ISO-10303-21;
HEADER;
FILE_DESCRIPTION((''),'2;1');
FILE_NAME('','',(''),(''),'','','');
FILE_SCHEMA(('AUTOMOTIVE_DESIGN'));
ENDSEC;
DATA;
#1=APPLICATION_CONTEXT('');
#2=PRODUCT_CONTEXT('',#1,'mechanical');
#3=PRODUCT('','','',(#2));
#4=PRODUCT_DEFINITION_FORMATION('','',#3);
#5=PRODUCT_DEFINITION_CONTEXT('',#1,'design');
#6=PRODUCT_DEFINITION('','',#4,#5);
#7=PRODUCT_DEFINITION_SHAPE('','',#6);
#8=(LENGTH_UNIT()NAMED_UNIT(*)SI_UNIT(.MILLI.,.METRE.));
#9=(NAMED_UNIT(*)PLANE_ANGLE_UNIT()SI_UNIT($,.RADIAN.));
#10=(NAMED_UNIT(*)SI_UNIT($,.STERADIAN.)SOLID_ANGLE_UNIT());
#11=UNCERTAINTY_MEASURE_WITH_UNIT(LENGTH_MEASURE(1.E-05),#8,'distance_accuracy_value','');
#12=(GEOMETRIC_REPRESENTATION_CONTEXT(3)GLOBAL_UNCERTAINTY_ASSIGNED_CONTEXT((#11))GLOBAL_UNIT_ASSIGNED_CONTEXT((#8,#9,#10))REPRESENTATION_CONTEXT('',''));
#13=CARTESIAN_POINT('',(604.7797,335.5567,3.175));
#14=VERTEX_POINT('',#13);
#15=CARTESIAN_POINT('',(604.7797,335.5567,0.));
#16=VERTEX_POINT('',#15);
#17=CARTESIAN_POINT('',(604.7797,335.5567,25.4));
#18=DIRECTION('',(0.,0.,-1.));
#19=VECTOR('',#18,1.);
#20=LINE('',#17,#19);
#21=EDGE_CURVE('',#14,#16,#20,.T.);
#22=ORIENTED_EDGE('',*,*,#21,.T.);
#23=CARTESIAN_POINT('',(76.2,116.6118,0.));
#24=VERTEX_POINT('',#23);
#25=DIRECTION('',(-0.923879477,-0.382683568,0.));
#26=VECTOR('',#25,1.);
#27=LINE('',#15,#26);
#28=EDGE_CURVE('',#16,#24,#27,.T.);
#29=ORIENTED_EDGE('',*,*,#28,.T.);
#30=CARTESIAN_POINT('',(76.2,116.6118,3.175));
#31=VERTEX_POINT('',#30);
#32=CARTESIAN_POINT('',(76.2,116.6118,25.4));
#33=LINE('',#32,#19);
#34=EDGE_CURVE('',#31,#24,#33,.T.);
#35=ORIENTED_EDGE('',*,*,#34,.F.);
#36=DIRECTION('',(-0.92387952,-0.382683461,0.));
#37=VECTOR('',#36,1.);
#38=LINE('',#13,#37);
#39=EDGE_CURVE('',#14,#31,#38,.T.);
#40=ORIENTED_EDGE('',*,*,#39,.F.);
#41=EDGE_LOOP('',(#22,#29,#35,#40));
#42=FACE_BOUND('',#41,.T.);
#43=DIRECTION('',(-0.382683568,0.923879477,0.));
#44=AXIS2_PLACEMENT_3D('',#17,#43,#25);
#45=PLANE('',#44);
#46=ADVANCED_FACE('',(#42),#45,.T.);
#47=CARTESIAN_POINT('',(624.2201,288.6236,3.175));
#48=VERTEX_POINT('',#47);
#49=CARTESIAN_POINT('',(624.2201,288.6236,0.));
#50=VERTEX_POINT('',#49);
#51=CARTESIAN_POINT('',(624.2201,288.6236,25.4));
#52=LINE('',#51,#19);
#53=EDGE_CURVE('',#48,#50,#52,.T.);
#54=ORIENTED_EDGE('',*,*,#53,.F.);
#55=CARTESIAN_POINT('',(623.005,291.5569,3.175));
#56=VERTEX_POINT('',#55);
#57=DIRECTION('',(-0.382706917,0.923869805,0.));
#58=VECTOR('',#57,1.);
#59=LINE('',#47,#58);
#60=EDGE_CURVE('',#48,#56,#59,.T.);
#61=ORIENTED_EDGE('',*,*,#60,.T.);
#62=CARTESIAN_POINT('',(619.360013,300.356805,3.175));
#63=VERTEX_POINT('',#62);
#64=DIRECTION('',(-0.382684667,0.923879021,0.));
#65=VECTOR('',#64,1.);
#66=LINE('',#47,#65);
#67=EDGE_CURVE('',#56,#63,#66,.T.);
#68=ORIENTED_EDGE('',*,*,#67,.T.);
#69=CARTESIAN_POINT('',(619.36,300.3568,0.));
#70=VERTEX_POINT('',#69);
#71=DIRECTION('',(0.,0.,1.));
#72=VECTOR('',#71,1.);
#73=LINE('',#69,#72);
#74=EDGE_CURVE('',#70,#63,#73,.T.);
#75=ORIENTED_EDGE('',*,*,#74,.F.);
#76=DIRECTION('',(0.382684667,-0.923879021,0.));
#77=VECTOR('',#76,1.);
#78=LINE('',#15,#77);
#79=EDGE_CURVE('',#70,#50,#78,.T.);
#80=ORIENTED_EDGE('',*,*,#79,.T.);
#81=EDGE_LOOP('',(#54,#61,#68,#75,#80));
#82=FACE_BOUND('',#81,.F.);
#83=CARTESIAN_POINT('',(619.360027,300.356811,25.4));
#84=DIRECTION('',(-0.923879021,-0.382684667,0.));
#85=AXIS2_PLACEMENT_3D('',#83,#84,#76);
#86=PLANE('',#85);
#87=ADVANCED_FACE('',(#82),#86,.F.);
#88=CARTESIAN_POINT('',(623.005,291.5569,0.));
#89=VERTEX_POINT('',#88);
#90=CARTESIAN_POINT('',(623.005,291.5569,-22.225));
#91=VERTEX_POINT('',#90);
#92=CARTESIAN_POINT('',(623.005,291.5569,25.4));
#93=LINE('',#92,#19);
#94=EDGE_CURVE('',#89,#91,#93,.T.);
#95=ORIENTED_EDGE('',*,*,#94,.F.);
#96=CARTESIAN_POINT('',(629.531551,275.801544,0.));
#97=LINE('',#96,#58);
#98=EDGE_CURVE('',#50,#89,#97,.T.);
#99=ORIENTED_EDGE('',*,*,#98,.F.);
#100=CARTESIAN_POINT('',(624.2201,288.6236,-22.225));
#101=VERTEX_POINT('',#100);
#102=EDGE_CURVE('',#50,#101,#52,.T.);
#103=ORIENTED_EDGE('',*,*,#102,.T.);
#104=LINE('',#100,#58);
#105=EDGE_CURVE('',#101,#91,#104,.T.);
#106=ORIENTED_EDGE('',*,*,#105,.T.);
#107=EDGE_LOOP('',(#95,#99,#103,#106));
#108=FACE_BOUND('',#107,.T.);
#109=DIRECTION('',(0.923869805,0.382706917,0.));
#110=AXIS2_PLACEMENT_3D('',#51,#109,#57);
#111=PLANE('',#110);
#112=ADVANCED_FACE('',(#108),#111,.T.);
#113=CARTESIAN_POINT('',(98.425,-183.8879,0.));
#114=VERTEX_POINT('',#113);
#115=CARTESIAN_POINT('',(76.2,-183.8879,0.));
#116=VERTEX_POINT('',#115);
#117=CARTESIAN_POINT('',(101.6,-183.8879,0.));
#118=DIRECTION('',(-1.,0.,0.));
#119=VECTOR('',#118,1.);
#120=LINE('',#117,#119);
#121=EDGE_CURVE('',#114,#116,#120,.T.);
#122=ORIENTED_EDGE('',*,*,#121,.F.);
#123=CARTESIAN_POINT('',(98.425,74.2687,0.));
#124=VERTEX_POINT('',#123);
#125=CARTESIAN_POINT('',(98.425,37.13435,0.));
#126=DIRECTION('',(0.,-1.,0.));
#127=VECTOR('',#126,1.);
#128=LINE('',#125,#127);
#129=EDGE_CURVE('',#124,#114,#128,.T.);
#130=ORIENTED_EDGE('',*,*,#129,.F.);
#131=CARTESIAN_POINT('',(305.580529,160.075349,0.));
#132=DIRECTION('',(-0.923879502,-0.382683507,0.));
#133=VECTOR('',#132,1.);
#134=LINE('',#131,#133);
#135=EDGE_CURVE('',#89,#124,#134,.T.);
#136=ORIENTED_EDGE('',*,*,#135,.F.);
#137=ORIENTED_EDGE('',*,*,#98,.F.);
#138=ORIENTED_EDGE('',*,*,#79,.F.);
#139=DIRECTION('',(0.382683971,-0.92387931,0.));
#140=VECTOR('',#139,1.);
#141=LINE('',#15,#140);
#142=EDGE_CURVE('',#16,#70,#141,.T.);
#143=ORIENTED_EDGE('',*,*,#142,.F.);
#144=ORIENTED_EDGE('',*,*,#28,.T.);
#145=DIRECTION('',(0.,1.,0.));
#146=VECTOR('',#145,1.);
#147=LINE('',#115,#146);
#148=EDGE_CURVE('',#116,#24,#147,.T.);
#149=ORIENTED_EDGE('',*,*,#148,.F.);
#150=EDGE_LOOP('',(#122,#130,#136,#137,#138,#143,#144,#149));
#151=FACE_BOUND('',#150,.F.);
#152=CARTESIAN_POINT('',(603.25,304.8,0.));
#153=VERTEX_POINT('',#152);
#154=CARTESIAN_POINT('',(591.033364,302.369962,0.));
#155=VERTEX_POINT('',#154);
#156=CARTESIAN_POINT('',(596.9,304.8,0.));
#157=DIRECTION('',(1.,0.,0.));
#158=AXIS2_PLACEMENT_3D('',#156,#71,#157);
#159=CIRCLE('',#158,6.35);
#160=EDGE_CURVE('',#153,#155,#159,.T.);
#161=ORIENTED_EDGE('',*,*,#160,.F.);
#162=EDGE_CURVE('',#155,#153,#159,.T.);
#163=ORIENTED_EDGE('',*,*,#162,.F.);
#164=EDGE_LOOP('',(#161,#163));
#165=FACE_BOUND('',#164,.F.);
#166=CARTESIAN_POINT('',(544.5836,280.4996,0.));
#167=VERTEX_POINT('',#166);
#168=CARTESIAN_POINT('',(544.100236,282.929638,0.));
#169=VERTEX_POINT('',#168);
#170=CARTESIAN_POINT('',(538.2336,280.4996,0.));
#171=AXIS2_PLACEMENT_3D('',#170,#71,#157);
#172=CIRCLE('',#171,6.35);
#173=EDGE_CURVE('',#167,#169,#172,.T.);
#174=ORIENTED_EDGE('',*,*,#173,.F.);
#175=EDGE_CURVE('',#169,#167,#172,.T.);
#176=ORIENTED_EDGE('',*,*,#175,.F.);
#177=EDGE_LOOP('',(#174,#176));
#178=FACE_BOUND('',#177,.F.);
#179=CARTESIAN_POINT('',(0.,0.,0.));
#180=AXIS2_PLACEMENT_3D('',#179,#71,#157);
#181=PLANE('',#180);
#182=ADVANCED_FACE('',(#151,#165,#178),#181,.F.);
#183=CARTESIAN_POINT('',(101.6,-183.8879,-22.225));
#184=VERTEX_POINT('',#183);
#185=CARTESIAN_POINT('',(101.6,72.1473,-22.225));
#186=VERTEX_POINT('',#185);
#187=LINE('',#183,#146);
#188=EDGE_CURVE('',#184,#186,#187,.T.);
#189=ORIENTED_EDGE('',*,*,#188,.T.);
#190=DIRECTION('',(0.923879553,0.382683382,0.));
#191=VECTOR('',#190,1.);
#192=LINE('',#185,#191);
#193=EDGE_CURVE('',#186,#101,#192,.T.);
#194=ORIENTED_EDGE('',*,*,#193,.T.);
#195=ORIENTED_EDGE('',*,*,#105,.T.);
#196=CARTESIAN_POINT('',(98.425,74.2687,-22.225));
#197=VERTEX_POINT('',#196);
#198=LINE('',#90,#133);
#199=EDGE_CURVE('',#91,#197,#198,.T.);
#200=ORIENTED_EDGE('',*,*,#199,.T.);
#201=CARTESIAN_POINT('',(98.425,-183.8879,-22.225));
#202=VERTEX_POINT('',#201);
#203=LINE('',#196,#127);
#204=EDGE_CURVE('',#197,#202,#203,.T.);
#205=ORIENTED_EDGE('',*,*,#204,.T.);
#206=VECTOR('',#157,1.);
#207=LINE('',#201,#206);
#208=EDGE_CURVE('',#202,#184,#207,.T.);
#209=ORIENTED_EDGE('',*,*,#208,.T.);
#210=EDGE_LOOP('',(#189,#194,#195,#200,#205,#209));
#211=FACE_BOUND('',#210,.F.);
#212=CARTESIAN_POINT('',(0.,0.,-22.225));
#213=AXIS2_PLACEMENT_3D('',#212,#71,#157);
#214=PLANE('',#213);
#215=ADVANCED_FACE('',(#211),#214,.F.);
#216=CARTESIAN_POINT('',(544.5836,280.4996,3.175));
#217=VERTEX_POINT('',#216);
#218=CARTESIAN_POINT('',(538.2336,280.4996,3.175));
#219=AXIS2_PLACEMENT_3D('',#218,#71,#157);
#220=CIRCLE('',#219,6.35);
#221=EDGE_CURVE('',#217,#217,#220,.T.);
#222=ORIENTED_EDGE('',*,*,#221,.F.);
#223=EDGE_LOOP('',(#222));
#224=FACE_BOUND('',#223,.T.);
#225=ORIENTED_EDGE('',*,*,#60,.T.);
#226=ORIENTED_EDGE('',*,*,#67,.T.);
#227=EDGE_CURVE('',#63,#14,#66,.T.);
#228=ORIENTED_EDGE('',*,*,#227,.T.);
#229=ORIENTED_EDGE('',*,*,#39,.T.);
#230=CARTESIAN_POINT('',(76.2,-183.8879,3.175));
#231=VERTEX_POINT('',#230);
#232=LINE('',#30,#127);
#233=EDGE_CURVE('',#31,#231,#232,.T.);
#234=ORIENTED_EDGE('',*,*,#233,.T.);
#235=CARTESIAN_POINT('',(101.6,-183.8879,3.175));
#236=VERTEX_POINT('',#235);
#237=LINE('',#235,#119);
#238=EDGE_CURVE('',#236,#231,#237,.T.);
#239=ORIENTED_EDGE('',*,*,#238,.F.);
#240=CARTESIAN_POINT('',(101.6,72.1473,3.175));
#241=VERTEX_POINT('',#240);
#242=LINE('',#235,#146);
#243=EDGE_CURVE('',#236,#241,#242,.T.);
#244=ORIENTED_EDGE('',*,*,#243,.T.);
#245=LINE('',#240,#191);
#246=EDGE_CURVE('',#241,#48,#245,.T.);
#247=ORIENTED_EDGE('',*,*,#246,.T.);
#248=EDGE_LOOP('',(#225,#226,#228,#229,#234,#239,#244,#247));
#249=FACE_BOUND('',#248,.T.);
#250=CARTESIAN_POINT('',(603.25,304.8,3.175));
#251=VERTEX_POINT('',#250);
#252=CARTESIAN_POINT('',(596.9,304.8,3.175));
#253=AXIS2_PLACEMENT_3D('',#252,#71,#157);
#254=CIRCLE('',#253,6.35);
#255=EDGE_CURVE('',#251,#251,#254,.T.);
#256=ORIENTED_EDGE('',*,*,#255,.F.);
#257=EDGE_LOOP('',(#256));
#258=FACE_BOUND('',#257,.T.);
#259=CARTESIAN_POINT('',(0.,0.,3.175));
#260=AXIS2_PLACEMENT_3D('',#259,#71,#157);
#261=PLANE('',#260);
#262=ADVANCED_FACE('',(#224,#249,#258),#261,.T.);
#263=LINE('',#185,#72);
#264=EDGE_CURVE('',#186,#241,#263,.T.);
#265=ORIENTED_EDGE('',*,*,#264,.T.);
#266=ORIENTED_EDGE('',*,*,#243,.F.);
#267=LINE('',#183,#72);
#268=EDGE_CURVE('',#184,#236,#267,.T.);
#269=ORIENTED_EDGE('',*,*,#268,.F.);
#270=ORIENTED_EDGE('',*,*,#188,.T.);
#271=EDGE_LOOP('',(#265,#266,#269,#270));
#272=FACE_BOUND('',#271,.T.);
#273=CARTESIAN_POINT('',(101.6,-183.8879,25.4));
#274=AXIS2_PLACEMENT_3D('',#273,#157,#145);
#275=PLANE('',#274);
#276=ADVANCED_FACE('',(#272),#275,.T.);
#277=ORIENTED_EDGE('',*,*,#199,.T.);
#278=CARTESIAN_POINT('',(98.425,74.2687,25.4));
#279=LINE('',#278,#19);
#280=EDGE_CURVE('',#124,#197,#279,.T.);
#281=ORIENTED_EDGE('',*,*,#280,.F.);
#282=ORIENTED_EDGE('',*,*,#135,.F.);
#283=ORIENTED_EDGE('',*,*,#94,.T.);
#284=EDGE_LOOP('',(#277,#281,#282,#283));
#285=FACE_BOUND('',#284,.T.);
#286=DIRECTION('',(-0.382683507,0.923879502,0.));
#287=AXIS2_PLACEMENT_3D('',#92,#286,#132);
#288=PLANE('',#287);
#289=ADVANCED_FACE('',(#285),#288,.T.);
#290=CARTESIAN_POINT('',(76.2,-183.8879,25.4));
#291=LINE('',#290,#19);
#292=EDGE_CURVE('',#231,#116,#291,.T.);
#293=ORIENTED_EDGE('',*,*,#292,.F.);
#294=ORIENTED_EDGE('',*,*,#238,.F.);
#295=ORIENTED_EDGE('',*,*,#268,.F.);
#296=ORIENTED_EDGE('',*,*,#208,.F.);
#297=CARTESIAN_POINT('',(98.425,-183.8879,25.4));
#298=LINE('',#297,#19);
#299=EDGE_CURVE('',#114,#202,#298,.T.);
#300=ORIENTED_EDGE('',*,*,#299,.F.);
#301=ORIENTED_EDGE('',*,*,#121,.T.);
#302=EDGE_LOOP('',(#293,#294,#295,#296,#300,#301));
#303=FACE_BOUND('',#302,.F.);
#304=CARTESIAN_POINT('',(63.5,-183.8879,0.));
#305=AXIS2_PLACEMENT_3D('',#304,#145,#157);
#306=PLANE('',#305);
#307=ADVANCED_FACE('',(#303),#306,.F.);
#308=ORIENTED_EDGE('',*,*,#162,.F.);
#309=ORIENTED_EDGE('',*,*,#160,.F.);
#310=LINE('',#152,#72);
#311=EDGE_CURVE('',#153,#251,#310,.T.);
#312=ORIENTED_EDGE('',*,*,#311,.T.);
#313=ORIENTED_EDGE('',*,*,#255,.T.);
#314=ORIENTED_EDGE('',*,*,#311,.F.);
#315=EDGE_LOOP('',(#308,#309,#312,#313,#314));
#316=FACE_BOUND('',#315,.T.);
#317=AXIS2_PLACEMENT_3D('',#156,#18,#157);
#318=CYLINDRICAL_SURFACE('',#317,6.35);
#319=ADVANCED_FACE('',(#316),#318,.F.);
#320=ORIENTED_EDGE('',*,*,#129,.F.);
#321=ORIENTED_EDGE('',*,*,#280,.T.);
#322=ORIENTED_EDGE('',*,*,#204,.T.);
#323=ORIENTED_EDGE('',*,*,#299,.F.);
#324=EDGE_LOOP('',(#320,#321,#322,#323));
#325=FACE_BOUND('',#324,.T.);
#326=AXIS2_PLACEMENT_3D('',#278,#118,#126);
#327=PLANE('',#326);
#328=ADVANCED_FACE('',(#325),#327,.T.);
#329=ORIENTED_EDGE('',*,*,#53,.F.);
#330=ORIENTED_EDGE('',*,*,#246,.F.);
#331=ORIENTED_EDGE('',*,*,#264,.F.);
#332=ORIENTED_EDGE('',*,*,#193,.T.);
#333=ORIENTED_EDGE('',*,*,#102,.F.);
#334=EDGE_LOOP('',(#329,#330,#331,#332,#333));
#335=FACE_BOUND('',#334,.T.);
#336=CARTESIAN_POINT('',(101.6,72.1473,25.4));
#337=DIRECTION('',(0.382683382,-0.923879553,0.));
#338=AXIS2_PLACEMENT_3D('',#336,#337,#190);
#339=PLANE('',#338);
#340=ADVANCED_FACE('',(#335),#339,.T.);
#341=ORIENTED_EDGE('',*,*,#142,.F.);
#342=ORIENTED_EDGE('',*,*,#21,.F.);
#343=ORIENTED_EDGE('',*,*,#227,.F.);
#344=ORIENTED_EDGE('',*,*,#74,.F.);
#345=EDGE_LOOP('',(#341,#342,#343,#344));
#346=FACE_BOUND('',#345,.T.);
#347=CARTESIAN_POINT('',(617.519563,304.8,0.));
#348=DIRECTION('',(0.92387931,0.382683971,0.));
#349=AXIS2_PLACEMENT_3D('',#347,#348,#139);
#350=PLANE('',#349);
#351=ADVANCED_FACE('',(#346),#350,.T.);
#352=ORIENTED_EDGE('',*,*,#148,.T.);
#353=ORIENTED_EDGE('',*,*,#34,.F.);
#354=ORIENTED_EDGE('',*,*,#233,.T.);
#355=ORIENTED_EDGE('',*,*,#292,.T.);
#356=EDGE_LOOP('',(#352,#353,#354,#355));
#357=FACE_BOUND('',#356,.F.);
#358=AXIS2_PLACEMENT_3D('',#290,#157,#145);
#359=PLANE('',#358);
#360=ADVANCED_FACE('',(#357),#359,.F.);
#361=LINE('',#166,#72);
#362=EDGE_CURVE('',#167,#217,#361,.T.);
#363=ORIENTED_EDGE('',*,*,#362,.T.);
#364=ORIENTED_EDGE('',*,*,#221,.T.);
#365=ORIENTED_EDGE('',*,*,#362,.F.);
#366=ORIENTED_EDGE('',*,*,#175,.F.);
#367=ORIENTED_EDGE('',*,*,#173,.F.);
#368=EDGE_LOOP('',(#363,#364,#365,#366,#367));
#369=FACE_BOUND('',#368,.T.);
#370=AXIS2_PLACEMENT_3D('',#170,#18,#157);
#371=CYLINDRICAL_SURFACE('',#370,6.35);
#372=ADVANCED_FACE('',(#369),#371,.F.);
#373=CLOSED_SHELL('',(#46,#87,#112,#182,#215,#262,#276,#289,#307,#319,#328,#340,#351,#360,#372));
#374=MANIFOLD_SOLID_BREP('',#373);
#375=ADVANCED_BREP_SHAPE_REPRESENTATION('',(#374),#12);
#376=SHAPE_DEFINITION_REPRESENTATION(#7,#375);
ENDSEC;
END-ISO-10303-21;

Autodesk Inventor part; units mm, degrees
ref_plane "YZ Plane" through (0, 0, 0) normal (1, 0, 0) x (0, 1, 0)
ref_plane "XZ Plane" through (0, 0, 0) normal (0, 1, 0) x (-1, 0, 0)
ref_plane "Work Plane1" through (0, 0, 0) normal (0, 0, 1) x (1, 0, 0)
sketch "Sketch1" plane through (0, 0, 0) normal (0, 0, 1) x (1, 0, 0)
  line L0 (0, 0) -> (63.5, 0)
  line L1 (63.5, 0) -> (63.5, 482.6)
  line L2 (63.5, 482.6) -> (0, 482.6)
  line L3 (0, 482.6) -> (0, 0)
  line L4 (63.5, 482.6) -> (63.5, 406.4)
  line L5 (63.5, 482.6) -> (139.7, 482.6) construction
  line L6 (63.5, 406.4) -> (-63.5, 406.4)
  line L7 (63.5, 406.4) -> (63.5, 304.8)
  line L8 (63.5, 406.4) -> (165.1, 406.4) construction
  line L9 (63.5, 304.8) -> (1409.7, 304.8)
  line L10 (63.5, 304.8) -> (596.9, 304.8)
  circle A0 centre (596.9, 304.8) radius 88.9
  circle A1 centre (596.9, 304.8) radius 6.35
  line L11 (596.9, 304.8) -> (1174.248, 304.8) construction
  line L12 (596.9, 304.8) -> (538.2336, 280.4996)
  circle A2 centre (538.2336, 280.4996) radius 6.35
  line L13 (596.9, 304.8) -> (614.4999, 312.0901)
  line L14 (596.9, 304.8) -> (615.95, 304.8) construction
  line L15 (614.4999, 312.0901) -> (619.36, 300.3568)
  line L16 (619.36, 300.3568) -> (63.5, 70.1121)
  line L17 (614.4999, 312.0901) -> (609.6398, 323.8234)
  line L18 (614.4999, 312.0901) -> (627.1999, 312.0901) construction
  line L19 (609.6398, 323.8234) -> (63.5, 97.6049)
  line L20 (63.5, 70.1121) -> (63.5, -183.8879)
  line L21 (63.5, 70.1121) -> (317.5, 70.1121) construction
  line L22 (63.5, -183.8879) -> (88.9, -183.8879)
  line L23 (88.9, -183.8879) -> (88.9, 80.6331)
  dimension "d0" = 63.5
  dimension "d1" = 482.6
  dimension "d2" = 76.2
  dimension "d3" = 90
  dimension "d4" = 127
  dimension "d5" = 90
  dimension "d6" = 101.6
  dimension "d7" = 90
  dimension "d8" = 1346.2
  dimension "d9" = 90
  dimension "d10" = 533.4
  dimension "d11" = 177.8
  dimension "d12" = 12.7
  dimension "d14" = 63.5
  dimension "d15" = 12.7
  dimension "d16" = 19.05
  dimension "d17" = 22.5
  dimension "d18" = 12.7
  dimension "d19" = 90
  dimension "d20" = 90
  dimension "d21" = 12.7
  dimension "d22" = 112.5
  dimension "d23" = 591.1375
  dimension "d24" = 90
  dimension "d25" = 254
  dimension "d26" = 90
  dimension "d27" = 25.4
  dimension "d28" = 90
  dimension "d29" = 90
extrude "Extrusion1" add sketch "Sketch1" along normal blind 25.4 contours L1 L16 L23 L22 L20 | L1 L19 A0 L16 | L19 L9 A1 L15 L16 A0 | L19 L17 L13 A1 L9 | L9 A1 L13 L15
sketch "Sketch2" plane through (0, 0, 25.4) normal (0, 0, 1) x (1, 0, 0)
  circle A0 centre (596.9, 304.8) radius 6.35 projected
  line L0 (88.9, 80.6331) -> (619.36, 300.3568) projected
  line L1 (619.36, 300.3568) -> (609.6398, 323.8234) projected
  line L2 (609.6398, 323.8234) -> (63.5, 97.6049) projected
  line L3 (63.5, 97.6049) -> (63.5, -183.8879) projected
  line L4 (63.5, -183.8879) -> (88.9, -183.8879) projected
  line L5 (88.9, -183.8879) -> (88.9, 80.6331) projected
  line L6 (596.9, 304.8) -> (614.4999, 312.0901)
  line L7 (596.9, 304.8) -> (615.95, 304.8) construction
  line L8 (614.4999, 312.0901) -> (604.7797, 335.5567)
  line L9 (614.4999, 312.0901) -> (639.8999, 312.0901) construction
  line L10 (604.7797, 335.5567) -> (624.2201, 288.6236)
  line L11 (624.2201, 288.6236) -> (1203.6463, 288.6236) construction
  line L12 (604.7797, 335.5567) -> (1190.6567, 335.5567) construction
  line L13 (76.2, -183.8879) -> (101.6, -183.8879)
  line L14 (101.6, -183.8879) -> (50.8, -183.8879)
  line L15 (101.6, -183.8879) -> (101.6, 72.1473)
  line L16 (101.6, 72.1473) -> (624.2201, 288.6236)
  line L17 (604.7797, 335.5567) -> (50.8, 106.0907)
  line L18 (604.7797, 335.5567) -> (1204.4031, 335.5567) construction
  line L19 (50.8, 106.0907) -> (50.8, -183.8879)
  point P0 (0, 0)
  dimension "d32" = 22.5
  dimension "d33" = 25.4
  dimension "d34" = 112.5
  dimension "d35" = 50.8
  dimension "d36" = 0
  dimension "d39" = 25.4
  dimension "d40" = 50.8
  dimension "d42" = 157.5
extrude "Extrusion2" add sketch "Sketch2" against normal blind 25.4 contours L10 L16 L15 L13 L5 L0 | L2 L3 L14 L19 L17 L8
sketch "Sketch4" plane through (0, 0, 25.4) normal (0, 0, 1) x (1, 0, 0)
  line L0 (604.7797, 335.5567) -> (50.8, 106.0907) projected
  line L1 (50.8, 106.0907) -> (50.8, -183.8879) projected
  line L2 (50.8, -183.8879) -> (101.6, -183.8879) projected
  line L3 (101.6, -183.8879) -> (101.6, 72.1473) projected
  line L4 (76.2, -183.8879) -> (76.2, 116.6118)
  point P0 (0, 0)
extrude "Extrusion3" cut sketch "Sketch4" against normal blind 25.4
sketch "Sketch5" plane through (0, 0, 25.4) normal (0, 0, 1) x (1, 0, 0)
  line L0 (76.2, 116.6118) -> (76.2, -183.8879) projected
  line L1 (76.2, -183.8879) -> (101.6, -183.8879) projected
  line L2 (101.6, -183.8879) -> (101.6, 72.1473) projected
  line L3 (101.6, 72.1473) -> (624.2201, 288.6236) projected
  line L4 (624.2201, 288.6236) -> (604.7797, 335.5567) projected
  line L5 (604.7797, 335.5567) -> (76.2, 116.6118) projected
  circle A0 centre (538.2336, 280.4996) radius 6.35 projected
  circle A1 centre (596.9, 304.8) radius 6.35 projected
  line L6 (101.6, -183.8879) -> (98.425, -183.8879)
  line L7 (101.6, -183.8879) -> (104.775, -183.8879) construction
  line L8 (624.2201, 288.6236) -> (623.005, 291.5569)
  line L9 (624.2201, 288.6236) -> (627.3951, 288.6236) construction
  line L10 (623.005, 291.5569) -> (98.425, 74.2687)
  line L11 (98.425, 74.2687) -> (98.425, -183.8879)
  point P0 (0, 0)
  dimension "d61" = 3.175
  dimension "d62" = 180
  dimension "d63" = 3.175
  dimension "d64" = 112.5
  dimension "d65" = 90
extrude "Extrusion4" cut sketch "Sketch5" against normal blind 22.225 contours L5 L4 L10 L11 L1 L0
sketch "Sketch6" plane through (0, 0, 25.4) normal (0, 0, 1) x (1, 0, 0)
  line L0 (623.005, 291.5569) -> (98.425, 74.2687) projected
  line L1 (98.425, 74.2687) -> (98.425, -183.8879) projected
  line L2 (98.425, -183.8879) -> (101.6, -183.8879) projected
  line L3 (101.6, -183.8879) -> (101.6, 72.1473) projected
  line L4 (101.6, 72.1473) -> (624.2201, 288.6236) projected
  line L5 (624.2201, 288.6236) -> (623.005, 291.5569) projected
  point P0 (0, 0)
extrude "Extrusion5" add sketch "Sketch6" against normal blind 47.625
sketch "Sketch7" plane through (0, 0, 25.4) normal (0, 0, 1) x (1, 0, 0)
  line L0 (623.005, 291.5569) -> (98.425, 74.2687) projected
  line L1 (98.425, 74.2687) -> (98.425, -183.8879) projected
  line L2 (98.425, -183.8879) -> (101.6, -183.8879) projected
  line L3 (101.6, -183.8879) -> (101.6, 72.1473) projected
  line L4 (101.6, 72.1473) -> (624.2201, 288.6236) projected
  line L5 (624.2201, 288.6236) -> (623.005, 291.5569) projected
  point P0 (0, 0)
extrude "Extrusion6" cut sketch "Sketch7" against normal blind 22.225
properties part number "CatapultArmL-Left"
